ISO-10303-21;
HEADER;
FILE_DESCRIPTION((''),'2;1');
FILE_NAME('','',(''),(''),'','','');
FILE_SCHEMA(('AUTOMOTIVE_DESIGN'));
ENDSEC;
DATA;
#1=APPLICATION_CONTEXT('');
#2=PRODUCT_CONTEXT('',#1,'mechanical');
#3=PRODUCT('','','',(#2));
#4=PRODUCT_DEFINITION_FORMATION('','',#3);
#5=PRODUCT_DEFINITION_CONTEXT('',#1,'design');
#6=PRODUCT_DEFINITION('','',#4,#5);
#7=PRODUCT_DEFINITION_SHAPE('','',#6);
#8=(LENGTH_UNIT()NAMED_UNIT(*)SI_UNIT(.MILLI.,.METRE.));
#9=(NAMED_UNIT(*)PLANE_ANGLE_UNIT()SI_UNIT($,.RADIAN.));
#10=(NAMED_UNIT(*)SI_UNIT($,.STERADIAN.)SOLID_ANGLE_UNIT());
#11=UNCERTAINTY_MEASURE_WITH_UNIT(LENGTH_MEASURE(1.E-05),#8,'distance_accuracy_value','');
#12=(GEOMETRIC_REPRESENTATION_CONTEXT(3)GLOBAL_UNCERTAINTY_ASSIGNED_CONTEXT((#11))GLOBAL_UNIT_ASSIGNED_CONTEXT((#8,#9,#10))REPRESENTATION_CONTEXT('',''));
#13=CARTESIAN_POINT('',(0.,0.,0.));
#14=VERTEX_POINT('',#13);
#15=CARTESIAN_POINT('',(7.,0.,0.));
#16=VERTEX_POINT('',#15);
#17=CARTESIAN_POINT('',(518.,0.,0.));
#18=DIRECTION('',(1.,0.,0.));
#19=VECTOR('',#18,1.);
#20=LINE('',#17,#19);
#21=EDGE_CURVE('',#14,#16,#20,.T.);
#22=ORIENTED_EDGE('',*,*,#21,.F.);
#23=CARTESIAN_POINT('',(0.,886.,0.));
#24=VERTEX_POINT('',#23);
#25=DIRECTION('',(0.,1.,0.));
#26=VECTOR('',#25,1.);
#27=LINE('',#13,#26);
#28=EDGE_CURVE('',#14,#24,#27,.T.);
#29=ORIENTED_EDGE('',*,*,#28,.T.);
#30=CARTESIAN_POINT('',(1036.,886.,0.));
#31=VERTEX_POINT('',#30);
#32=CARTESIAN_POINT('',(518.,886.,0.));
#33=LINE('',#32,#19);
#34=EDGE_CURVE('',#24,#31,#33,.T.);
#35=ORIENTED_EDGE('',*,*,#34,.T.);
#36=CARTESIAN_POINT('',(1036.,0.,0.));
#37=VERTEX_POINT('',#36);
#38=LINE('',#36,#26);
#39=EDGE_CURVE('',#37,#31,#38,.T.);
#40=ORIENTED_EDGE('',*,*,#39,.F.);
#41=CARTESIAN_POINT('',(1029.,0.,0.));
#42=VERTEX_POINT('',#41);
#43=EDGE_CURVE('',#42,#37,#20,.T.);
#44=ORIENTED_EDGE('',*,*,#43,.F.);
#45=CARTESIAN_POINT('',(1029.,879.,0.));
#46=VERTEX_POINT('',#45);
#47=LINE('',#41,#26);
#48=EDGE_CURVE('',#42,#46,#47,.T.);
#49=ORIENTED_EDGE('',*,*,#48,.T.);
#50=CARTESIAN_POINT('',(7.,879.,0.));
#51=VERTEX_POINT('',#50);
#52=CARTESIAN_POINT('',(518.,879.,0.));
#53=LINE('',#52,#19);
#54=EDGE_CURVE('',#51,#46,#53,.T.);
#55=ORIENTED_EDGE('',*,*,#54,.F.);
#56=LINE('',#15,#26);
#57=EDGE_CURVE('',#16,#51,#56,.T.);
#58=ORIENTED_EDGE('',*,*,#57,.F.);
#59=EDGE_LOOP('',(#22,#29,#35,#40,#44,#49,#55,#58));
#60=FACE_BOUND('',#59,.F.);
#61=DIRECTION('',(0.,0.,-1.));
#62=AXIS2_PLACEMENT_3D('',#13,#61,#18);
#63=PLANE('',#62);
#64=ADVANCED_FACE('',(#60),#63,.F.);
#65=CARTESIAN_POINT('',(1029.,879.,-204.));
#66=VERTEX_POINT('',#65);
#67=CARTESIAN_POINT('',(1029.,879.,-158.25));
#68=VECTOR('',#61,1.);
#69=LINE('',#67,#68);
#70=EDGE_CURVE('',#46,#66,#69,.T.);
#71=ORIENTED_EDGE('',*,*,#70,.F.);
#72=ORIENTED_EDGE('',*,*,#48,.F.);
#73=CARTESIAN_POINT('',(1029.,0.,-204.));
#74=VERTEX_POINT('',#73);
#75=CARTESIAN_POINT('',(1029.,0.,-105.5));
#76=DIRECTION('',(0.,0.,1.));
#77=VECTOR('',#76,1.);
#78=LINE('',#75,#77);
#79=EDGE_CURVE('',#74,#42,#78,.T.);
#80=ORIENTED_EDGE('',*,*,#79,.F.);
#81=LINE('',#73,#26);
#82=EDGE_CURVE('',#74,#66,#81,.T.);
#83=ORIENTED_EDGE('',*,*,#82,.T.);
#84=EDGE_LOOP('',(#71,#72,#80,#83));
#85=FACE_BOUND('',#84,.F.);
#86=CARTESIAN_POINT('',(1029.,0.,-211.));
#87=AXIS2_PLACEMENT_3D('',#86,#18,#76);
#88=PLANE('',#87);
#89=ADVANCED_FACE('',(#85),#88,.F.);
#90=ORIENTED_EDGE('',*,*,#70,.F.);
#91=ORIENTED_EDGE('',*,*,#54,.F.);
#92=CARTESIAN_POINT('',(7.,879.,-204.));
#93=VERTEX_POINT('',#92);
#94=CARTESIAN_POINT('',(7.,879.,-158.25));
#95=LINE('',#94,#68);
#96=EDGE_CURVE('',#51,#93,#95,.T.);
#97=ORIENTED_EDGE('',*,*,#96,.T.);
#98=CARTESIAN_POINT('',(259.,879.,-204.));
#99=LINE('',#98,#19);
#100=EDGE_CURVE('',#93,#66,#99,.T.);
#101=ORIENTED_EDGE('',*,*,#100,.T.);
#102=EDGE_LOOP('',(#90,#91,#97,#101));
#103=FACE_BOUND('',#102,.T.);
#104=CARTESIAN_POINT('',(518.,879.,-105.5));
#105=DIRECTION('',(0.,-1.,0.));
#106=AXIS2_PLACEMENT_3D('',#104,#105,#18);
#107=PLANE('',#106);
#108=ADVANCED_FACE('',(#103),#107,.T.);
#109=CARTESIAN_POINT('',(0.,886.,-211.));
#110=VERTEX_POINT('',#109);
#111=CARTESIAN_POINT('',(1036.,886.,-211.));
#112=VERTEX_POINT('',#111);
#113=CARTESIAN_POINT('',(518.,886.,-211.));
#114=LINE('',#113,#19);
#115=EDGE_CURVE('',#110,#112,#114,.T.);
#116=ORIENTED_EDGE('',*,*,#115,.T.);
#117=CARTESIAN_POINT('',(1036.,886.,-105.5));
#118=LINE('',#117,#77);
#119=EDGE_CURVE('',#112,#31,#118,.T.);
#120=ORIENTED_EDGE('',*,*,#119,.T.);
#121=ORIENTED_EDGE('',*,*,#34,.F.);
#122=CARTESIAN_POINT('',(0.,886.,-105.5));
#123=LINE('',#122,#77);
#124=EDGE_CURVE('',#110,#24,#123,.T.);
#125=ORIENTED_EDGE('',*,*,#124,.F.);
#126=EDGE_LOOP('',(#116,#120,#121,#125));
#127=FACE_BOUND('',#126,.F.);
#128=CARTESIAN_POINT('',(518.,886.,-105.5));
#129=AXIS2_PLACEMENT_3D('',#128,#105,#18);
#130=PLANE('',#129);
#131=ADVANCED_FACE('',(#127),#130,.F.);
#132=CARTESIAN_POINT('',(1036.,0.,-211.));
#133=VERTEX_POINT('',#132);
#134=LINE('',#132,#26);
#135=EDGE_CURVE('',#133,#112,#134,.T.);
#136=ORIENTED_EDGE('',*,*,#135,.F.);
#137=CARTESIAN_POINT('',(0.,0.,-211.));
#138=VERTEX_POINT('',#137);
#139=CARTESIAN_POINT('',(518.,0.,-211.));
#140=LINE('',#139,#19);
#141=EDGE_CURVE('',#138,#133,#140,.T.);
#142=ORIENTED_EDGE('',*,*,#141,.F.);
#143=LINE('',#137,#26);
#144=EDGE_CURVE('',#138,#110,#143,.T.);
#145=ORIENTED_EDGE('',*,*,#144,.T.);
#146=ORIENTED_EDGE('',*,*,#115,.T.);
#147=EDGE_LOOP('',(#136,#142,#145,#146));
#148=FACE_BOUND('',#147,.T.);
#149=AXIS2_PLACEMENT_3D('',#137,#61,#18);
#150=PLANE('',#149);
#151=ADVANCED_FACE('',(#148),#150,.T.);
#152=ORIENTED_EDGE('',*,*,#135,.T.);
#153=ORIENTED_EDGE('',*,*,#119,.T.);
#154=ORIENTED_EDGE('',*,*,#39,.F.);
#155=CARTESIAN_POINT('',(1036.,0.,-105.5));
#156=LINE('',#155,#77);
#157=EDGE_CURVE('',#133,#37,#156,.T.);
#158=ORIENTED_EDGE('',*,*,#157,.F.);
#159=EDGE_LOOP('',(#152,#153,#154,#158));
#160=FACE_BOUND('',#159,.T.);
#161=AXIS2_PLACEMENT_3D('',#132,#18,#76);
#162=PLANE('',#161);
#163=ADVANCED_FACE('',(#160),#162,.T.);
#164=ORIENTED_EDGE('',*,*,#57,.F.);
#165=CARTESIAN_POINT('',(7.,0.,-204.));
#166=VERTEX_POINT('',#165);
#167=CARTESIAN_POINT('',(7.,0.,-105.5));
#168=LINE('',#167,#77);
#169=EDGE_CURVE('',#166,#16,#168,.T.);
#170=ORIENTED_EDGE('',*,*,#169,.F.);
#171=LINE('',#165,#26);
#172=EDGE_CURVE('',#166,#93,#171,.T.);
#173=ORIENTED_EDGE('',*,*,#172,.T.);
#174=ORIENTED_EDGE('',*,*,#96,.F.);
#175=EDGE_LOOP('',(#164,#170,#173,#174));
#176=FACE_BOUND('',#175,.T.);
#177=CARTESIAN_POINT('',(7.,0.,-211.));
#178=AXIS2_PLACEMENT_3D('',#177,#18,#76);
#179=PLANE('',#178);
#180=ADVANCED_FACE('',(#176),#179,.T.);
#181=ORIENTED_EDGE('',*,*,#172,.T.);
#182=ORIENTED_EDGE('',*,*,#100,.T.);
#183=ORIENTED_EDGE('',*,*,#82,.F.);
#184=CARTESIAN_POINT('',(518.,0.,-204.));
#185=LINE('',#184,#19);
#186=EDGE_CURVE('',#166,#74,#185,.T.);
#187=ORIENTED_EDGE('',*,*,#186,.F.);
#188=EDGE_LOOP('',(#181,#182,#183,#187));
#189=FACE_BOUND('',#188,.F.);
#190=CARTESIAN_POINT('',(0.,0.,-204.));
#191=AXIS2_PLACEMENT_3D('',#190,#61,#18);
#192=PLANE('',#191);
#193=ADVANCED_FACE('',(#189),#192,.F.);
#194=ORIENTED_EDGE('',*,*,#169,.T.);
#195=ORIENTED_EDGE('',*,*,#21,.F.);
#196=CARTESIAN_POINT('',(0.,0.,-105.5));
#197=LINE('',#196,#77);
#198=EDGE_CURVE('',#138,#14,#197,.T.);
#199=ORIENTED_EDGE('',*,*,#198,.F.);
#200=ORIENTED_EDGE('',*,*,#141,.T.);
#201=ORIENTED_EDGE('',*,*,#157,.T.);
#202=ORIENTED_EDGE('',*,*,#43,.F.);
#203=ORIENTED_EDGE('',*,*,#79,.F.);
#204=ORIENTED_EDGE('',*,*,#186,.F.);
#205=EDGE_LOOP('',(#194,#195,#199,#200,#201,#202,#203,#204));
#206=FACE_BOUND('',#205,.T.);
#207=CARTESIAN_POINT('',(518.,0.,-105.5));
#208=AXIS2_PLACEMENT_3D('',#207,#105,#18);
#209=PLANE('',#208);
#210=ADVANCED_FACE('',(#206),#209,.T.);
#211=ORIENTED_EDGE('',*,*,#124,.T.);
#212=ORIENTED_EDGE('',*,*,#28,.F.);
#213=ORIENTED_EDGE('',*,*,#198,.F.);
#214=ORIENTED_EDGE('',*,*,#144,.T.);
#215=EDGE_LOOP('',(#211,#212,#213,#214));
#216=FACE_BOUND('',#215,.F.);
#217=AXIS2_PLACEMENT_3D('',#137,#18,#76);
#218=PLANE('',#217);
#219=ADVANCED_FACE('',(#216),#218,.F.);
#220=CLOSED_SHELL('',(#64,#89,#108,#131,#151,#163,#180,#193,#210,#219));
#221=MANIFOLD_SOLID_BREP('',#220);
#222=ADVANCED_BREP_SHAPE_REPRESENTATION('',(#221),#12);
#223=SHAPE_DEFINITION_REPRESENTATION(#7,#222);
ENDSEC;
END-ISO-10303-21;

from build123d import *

# Parameters (mm, degrees)
F0_W     = 1036
F0_H     = 211
F1_DEPTH = 886
F2_T     = -7


with BuildPart() as f1:
    # F0 (on Front) → F1 (new body)
    with BuildSketch(Plane.XZ):
        with Locations((518, -105.5)):
            Rectangle(F0_W, F0_H)
    extrude(amount=-F1_DEPTH)

    # F2
    f2_openings = [f1.faces().sort_by_distance(p)[0] for p in [
        (518, 443, 0),
        (518, 0, -105.5),
    ]]
    offset(amount=F2_T, openings=f2_openings)


solid = f1.part
